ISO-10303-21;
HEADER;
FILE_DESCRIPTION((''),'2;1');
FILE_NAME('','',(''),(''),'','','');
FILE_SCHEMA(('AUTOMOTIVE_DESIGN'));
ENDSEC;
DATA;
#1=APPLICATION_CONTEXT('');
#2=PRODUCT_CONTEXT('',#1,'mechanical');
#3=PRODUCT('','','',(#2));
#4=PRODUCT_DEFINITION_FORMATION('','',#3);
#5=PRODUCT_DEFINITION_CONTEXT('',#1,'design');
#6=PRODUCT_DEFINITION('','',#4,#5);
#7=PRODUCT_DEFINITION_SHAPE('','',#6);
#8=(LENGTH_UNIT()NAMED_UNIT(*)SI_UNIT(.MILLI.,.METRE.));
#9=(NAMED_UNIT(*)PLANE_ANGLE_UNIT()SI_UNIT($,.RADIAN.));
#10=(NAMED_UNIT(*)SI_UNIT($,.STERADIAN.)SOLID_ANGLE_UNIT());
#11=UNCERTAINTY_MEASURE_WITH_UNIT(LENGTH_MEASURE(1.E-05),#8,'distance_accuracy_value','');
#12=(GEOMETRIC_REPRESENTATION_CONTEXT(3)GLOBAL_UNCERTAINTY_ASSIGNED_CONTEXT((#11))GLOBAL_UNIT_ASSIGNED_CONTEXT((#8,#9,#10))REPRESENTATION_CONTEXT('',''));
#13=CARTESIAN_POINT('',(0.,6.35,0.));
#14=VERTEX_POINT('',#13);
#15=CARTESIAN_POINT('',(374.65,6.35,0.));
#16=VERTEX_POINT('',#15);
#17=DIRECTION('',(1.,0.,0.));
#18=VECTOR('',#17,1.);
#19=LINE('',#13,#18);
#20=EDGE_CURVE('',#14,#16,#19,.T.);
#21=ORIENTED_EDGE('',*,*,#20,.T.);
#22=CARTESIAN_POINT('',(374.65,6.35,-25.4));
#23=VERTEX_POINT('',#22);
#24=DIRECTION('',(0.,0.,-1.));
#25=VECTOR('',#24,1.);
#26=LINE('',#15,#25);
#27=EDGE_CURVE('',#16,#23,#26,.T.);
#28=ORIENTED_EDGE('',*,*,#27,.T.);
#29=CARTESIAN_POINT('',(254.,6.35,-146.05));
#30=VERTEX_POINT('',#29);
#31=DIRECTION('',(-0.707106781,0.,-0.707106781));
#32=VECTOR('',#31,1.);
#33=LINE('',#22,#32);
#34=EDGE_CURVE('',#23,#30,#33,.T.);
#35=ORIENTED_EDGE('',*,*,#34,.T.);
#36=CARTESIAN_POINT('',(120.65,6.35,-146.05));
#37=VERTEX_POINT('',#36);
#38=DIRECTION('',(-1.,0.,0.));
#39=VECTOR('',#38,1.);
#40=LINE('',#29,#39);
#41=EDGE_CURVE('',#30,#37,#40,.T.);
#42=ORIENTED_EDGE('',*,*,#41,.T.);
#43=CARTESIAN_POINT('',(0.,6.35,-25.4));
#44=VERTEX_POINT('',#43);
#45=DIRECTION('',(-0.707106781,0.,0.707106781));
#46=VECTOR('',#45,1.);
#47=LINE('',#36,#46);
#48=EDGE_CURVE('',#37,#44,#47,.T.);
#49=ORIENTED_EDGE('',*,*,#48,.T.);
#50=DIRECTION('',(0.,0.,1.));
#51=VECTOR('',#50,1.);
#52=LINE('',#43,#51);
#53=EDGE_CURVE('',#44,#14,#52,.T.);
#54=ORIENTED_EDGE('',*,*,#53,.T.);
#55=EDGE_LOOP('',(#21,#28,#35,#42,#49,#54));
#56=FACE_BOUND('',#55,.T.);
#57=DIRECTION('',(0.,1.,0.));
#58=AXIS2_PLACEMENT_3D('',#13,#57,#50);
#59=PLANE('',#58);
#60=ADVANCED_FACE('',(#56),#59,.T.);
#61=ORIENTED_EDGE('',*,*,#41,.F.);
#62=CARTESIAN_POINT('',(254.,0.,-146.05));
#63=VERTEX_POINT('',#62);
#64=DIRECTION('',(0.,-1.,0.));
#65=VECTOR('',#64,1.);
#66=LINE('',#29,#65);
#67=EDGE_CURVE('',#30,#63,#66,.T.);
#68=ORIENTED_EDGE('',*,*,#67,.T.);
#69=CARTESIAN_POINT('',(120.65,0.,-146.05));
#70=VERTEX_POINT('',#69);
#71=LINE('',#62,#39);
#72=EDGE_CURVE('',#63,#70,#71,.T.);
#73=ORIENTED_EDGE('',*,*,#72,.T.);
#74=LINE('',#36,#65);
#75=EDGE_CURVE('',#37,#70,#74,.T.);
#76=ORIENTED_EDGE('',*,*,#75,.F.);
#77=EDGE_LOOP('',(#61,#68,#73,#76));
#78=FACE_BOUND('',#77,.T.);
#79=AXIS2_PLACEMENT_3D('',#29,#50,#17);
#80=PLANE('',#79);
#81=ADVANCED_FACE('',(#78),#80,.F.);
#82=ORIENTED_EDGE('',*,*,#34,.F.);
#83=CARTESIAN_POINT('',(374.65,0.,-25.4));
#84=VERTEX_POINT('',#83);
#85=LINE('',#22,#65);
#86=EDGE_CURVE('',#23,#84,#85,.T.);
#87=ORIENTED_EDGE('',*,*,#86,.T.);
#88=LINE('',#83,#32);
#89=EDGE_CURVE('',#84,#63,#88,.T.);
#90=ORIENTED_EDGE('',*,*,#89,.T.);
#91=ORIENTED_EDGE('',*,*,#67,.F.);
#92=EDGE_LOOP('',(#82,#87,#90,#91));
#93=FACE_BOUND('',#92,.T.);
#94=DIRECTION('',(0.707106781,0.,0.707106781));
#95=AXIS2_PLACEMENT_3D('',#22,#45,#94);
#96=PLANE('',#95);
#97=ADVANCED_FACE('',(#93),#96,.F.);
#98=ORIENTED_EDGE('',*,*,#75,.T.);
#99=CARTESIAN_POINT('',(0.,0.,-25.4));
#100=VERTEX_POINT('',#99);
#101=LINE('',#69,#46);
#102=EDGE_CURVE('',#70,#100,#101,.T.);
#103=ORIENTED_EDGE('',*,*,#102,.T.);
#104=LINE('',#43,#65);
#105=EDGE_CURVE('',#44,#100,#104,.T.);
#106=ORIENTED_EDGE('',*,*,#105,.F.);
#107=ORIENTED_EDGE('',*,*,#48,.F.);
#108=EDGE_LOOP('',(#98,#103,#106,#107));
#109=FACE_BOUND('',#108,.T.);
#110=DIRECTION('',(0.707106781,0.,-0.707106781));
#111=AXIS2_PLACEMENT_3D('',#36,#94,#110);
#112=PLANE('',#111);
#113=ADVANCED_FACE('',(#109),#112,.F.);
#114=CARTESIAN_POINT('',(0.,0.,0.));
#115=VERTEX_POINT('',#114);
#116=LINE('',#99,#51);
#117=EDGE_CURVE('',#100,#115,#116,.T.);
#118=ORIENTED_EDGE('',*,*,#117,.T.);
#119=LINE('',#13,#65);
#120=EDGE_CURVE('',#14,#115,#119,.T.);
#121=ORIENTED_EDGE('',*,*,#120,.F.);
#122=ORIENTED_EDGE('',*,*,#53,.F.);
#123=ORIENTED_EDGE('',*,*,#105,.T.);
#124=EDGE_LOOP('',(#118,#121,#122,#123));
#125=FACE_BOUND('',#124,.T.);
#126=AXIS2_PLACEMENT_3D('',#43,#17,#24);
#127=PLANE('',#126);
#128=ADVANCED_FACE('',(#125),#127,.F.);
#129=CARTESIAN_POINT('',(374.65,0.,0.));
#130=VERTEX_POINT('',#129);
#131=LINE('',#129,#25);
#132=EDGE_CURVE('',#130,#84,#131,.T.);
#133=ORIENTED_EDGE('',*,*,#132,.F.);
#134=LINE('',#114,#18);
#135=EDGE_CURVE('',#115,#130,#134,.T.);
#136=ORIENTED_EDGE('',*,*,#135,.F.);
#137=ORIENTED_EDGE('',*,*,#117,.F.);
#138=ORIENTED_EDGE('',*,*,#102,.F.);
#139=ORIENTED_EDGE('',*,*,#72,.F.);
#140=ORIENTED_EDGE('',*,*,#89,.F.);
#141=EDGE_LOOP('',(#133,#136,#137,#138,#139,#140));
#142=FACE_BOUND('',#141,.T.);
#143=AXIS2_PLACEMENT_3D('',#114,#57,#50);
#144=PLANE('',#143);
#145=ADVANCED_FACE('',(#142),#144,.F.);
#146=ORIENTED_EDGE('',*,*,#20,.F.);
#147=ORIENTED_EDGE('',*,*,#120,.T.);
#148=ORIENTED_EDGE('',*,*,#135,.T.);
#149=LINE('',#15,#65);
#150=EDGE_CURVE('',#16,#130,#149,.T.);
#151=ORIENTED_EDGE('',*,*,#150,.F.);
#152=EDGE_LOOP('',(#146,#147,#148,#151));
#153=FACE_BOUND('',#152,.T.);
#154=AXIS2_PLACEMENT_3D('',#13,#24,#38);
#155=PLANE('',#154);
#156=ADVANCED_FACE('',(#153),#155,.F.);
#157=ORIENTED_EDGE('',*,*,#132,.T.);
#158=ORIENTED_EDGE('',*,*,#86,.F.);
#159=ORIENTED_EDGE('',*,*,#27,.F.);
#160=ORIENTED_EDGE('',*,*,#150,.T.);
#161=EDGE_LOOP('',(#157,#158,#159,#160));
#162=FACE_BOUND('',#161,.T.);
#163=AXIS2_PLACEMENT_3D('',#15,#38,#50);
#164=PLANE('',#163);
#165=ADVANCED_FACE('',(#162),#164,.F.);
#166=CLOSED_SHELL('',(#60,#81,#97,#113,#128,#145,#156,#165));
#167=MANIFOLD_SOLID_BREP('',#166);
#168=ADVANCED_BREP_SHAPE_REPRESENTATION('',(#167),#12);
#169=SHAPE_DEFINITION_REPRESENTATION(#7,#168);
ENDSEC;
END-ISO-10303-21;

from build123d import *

# Parameters (mm, degrees)
BOSS_EXTRUDE1_DEPTH = 6.35


with BuildPart() as part:
    # Sketch1 → Boss-Extrude1 (new body)
    with BuildSketch(Plane(origin=(0, 0, 0), x_dir=(1, 0, 0), z_dir=(0, 1, 0))):
        Polygon((0, 0), (374.65, 0), (374.65, 25.4), (254, 146.05), (120.65, 146.05), (0, 25.4), align=None)
    extrude(amount=BOSS_EXTRUDE1_DEPTH)


solid = part.part
